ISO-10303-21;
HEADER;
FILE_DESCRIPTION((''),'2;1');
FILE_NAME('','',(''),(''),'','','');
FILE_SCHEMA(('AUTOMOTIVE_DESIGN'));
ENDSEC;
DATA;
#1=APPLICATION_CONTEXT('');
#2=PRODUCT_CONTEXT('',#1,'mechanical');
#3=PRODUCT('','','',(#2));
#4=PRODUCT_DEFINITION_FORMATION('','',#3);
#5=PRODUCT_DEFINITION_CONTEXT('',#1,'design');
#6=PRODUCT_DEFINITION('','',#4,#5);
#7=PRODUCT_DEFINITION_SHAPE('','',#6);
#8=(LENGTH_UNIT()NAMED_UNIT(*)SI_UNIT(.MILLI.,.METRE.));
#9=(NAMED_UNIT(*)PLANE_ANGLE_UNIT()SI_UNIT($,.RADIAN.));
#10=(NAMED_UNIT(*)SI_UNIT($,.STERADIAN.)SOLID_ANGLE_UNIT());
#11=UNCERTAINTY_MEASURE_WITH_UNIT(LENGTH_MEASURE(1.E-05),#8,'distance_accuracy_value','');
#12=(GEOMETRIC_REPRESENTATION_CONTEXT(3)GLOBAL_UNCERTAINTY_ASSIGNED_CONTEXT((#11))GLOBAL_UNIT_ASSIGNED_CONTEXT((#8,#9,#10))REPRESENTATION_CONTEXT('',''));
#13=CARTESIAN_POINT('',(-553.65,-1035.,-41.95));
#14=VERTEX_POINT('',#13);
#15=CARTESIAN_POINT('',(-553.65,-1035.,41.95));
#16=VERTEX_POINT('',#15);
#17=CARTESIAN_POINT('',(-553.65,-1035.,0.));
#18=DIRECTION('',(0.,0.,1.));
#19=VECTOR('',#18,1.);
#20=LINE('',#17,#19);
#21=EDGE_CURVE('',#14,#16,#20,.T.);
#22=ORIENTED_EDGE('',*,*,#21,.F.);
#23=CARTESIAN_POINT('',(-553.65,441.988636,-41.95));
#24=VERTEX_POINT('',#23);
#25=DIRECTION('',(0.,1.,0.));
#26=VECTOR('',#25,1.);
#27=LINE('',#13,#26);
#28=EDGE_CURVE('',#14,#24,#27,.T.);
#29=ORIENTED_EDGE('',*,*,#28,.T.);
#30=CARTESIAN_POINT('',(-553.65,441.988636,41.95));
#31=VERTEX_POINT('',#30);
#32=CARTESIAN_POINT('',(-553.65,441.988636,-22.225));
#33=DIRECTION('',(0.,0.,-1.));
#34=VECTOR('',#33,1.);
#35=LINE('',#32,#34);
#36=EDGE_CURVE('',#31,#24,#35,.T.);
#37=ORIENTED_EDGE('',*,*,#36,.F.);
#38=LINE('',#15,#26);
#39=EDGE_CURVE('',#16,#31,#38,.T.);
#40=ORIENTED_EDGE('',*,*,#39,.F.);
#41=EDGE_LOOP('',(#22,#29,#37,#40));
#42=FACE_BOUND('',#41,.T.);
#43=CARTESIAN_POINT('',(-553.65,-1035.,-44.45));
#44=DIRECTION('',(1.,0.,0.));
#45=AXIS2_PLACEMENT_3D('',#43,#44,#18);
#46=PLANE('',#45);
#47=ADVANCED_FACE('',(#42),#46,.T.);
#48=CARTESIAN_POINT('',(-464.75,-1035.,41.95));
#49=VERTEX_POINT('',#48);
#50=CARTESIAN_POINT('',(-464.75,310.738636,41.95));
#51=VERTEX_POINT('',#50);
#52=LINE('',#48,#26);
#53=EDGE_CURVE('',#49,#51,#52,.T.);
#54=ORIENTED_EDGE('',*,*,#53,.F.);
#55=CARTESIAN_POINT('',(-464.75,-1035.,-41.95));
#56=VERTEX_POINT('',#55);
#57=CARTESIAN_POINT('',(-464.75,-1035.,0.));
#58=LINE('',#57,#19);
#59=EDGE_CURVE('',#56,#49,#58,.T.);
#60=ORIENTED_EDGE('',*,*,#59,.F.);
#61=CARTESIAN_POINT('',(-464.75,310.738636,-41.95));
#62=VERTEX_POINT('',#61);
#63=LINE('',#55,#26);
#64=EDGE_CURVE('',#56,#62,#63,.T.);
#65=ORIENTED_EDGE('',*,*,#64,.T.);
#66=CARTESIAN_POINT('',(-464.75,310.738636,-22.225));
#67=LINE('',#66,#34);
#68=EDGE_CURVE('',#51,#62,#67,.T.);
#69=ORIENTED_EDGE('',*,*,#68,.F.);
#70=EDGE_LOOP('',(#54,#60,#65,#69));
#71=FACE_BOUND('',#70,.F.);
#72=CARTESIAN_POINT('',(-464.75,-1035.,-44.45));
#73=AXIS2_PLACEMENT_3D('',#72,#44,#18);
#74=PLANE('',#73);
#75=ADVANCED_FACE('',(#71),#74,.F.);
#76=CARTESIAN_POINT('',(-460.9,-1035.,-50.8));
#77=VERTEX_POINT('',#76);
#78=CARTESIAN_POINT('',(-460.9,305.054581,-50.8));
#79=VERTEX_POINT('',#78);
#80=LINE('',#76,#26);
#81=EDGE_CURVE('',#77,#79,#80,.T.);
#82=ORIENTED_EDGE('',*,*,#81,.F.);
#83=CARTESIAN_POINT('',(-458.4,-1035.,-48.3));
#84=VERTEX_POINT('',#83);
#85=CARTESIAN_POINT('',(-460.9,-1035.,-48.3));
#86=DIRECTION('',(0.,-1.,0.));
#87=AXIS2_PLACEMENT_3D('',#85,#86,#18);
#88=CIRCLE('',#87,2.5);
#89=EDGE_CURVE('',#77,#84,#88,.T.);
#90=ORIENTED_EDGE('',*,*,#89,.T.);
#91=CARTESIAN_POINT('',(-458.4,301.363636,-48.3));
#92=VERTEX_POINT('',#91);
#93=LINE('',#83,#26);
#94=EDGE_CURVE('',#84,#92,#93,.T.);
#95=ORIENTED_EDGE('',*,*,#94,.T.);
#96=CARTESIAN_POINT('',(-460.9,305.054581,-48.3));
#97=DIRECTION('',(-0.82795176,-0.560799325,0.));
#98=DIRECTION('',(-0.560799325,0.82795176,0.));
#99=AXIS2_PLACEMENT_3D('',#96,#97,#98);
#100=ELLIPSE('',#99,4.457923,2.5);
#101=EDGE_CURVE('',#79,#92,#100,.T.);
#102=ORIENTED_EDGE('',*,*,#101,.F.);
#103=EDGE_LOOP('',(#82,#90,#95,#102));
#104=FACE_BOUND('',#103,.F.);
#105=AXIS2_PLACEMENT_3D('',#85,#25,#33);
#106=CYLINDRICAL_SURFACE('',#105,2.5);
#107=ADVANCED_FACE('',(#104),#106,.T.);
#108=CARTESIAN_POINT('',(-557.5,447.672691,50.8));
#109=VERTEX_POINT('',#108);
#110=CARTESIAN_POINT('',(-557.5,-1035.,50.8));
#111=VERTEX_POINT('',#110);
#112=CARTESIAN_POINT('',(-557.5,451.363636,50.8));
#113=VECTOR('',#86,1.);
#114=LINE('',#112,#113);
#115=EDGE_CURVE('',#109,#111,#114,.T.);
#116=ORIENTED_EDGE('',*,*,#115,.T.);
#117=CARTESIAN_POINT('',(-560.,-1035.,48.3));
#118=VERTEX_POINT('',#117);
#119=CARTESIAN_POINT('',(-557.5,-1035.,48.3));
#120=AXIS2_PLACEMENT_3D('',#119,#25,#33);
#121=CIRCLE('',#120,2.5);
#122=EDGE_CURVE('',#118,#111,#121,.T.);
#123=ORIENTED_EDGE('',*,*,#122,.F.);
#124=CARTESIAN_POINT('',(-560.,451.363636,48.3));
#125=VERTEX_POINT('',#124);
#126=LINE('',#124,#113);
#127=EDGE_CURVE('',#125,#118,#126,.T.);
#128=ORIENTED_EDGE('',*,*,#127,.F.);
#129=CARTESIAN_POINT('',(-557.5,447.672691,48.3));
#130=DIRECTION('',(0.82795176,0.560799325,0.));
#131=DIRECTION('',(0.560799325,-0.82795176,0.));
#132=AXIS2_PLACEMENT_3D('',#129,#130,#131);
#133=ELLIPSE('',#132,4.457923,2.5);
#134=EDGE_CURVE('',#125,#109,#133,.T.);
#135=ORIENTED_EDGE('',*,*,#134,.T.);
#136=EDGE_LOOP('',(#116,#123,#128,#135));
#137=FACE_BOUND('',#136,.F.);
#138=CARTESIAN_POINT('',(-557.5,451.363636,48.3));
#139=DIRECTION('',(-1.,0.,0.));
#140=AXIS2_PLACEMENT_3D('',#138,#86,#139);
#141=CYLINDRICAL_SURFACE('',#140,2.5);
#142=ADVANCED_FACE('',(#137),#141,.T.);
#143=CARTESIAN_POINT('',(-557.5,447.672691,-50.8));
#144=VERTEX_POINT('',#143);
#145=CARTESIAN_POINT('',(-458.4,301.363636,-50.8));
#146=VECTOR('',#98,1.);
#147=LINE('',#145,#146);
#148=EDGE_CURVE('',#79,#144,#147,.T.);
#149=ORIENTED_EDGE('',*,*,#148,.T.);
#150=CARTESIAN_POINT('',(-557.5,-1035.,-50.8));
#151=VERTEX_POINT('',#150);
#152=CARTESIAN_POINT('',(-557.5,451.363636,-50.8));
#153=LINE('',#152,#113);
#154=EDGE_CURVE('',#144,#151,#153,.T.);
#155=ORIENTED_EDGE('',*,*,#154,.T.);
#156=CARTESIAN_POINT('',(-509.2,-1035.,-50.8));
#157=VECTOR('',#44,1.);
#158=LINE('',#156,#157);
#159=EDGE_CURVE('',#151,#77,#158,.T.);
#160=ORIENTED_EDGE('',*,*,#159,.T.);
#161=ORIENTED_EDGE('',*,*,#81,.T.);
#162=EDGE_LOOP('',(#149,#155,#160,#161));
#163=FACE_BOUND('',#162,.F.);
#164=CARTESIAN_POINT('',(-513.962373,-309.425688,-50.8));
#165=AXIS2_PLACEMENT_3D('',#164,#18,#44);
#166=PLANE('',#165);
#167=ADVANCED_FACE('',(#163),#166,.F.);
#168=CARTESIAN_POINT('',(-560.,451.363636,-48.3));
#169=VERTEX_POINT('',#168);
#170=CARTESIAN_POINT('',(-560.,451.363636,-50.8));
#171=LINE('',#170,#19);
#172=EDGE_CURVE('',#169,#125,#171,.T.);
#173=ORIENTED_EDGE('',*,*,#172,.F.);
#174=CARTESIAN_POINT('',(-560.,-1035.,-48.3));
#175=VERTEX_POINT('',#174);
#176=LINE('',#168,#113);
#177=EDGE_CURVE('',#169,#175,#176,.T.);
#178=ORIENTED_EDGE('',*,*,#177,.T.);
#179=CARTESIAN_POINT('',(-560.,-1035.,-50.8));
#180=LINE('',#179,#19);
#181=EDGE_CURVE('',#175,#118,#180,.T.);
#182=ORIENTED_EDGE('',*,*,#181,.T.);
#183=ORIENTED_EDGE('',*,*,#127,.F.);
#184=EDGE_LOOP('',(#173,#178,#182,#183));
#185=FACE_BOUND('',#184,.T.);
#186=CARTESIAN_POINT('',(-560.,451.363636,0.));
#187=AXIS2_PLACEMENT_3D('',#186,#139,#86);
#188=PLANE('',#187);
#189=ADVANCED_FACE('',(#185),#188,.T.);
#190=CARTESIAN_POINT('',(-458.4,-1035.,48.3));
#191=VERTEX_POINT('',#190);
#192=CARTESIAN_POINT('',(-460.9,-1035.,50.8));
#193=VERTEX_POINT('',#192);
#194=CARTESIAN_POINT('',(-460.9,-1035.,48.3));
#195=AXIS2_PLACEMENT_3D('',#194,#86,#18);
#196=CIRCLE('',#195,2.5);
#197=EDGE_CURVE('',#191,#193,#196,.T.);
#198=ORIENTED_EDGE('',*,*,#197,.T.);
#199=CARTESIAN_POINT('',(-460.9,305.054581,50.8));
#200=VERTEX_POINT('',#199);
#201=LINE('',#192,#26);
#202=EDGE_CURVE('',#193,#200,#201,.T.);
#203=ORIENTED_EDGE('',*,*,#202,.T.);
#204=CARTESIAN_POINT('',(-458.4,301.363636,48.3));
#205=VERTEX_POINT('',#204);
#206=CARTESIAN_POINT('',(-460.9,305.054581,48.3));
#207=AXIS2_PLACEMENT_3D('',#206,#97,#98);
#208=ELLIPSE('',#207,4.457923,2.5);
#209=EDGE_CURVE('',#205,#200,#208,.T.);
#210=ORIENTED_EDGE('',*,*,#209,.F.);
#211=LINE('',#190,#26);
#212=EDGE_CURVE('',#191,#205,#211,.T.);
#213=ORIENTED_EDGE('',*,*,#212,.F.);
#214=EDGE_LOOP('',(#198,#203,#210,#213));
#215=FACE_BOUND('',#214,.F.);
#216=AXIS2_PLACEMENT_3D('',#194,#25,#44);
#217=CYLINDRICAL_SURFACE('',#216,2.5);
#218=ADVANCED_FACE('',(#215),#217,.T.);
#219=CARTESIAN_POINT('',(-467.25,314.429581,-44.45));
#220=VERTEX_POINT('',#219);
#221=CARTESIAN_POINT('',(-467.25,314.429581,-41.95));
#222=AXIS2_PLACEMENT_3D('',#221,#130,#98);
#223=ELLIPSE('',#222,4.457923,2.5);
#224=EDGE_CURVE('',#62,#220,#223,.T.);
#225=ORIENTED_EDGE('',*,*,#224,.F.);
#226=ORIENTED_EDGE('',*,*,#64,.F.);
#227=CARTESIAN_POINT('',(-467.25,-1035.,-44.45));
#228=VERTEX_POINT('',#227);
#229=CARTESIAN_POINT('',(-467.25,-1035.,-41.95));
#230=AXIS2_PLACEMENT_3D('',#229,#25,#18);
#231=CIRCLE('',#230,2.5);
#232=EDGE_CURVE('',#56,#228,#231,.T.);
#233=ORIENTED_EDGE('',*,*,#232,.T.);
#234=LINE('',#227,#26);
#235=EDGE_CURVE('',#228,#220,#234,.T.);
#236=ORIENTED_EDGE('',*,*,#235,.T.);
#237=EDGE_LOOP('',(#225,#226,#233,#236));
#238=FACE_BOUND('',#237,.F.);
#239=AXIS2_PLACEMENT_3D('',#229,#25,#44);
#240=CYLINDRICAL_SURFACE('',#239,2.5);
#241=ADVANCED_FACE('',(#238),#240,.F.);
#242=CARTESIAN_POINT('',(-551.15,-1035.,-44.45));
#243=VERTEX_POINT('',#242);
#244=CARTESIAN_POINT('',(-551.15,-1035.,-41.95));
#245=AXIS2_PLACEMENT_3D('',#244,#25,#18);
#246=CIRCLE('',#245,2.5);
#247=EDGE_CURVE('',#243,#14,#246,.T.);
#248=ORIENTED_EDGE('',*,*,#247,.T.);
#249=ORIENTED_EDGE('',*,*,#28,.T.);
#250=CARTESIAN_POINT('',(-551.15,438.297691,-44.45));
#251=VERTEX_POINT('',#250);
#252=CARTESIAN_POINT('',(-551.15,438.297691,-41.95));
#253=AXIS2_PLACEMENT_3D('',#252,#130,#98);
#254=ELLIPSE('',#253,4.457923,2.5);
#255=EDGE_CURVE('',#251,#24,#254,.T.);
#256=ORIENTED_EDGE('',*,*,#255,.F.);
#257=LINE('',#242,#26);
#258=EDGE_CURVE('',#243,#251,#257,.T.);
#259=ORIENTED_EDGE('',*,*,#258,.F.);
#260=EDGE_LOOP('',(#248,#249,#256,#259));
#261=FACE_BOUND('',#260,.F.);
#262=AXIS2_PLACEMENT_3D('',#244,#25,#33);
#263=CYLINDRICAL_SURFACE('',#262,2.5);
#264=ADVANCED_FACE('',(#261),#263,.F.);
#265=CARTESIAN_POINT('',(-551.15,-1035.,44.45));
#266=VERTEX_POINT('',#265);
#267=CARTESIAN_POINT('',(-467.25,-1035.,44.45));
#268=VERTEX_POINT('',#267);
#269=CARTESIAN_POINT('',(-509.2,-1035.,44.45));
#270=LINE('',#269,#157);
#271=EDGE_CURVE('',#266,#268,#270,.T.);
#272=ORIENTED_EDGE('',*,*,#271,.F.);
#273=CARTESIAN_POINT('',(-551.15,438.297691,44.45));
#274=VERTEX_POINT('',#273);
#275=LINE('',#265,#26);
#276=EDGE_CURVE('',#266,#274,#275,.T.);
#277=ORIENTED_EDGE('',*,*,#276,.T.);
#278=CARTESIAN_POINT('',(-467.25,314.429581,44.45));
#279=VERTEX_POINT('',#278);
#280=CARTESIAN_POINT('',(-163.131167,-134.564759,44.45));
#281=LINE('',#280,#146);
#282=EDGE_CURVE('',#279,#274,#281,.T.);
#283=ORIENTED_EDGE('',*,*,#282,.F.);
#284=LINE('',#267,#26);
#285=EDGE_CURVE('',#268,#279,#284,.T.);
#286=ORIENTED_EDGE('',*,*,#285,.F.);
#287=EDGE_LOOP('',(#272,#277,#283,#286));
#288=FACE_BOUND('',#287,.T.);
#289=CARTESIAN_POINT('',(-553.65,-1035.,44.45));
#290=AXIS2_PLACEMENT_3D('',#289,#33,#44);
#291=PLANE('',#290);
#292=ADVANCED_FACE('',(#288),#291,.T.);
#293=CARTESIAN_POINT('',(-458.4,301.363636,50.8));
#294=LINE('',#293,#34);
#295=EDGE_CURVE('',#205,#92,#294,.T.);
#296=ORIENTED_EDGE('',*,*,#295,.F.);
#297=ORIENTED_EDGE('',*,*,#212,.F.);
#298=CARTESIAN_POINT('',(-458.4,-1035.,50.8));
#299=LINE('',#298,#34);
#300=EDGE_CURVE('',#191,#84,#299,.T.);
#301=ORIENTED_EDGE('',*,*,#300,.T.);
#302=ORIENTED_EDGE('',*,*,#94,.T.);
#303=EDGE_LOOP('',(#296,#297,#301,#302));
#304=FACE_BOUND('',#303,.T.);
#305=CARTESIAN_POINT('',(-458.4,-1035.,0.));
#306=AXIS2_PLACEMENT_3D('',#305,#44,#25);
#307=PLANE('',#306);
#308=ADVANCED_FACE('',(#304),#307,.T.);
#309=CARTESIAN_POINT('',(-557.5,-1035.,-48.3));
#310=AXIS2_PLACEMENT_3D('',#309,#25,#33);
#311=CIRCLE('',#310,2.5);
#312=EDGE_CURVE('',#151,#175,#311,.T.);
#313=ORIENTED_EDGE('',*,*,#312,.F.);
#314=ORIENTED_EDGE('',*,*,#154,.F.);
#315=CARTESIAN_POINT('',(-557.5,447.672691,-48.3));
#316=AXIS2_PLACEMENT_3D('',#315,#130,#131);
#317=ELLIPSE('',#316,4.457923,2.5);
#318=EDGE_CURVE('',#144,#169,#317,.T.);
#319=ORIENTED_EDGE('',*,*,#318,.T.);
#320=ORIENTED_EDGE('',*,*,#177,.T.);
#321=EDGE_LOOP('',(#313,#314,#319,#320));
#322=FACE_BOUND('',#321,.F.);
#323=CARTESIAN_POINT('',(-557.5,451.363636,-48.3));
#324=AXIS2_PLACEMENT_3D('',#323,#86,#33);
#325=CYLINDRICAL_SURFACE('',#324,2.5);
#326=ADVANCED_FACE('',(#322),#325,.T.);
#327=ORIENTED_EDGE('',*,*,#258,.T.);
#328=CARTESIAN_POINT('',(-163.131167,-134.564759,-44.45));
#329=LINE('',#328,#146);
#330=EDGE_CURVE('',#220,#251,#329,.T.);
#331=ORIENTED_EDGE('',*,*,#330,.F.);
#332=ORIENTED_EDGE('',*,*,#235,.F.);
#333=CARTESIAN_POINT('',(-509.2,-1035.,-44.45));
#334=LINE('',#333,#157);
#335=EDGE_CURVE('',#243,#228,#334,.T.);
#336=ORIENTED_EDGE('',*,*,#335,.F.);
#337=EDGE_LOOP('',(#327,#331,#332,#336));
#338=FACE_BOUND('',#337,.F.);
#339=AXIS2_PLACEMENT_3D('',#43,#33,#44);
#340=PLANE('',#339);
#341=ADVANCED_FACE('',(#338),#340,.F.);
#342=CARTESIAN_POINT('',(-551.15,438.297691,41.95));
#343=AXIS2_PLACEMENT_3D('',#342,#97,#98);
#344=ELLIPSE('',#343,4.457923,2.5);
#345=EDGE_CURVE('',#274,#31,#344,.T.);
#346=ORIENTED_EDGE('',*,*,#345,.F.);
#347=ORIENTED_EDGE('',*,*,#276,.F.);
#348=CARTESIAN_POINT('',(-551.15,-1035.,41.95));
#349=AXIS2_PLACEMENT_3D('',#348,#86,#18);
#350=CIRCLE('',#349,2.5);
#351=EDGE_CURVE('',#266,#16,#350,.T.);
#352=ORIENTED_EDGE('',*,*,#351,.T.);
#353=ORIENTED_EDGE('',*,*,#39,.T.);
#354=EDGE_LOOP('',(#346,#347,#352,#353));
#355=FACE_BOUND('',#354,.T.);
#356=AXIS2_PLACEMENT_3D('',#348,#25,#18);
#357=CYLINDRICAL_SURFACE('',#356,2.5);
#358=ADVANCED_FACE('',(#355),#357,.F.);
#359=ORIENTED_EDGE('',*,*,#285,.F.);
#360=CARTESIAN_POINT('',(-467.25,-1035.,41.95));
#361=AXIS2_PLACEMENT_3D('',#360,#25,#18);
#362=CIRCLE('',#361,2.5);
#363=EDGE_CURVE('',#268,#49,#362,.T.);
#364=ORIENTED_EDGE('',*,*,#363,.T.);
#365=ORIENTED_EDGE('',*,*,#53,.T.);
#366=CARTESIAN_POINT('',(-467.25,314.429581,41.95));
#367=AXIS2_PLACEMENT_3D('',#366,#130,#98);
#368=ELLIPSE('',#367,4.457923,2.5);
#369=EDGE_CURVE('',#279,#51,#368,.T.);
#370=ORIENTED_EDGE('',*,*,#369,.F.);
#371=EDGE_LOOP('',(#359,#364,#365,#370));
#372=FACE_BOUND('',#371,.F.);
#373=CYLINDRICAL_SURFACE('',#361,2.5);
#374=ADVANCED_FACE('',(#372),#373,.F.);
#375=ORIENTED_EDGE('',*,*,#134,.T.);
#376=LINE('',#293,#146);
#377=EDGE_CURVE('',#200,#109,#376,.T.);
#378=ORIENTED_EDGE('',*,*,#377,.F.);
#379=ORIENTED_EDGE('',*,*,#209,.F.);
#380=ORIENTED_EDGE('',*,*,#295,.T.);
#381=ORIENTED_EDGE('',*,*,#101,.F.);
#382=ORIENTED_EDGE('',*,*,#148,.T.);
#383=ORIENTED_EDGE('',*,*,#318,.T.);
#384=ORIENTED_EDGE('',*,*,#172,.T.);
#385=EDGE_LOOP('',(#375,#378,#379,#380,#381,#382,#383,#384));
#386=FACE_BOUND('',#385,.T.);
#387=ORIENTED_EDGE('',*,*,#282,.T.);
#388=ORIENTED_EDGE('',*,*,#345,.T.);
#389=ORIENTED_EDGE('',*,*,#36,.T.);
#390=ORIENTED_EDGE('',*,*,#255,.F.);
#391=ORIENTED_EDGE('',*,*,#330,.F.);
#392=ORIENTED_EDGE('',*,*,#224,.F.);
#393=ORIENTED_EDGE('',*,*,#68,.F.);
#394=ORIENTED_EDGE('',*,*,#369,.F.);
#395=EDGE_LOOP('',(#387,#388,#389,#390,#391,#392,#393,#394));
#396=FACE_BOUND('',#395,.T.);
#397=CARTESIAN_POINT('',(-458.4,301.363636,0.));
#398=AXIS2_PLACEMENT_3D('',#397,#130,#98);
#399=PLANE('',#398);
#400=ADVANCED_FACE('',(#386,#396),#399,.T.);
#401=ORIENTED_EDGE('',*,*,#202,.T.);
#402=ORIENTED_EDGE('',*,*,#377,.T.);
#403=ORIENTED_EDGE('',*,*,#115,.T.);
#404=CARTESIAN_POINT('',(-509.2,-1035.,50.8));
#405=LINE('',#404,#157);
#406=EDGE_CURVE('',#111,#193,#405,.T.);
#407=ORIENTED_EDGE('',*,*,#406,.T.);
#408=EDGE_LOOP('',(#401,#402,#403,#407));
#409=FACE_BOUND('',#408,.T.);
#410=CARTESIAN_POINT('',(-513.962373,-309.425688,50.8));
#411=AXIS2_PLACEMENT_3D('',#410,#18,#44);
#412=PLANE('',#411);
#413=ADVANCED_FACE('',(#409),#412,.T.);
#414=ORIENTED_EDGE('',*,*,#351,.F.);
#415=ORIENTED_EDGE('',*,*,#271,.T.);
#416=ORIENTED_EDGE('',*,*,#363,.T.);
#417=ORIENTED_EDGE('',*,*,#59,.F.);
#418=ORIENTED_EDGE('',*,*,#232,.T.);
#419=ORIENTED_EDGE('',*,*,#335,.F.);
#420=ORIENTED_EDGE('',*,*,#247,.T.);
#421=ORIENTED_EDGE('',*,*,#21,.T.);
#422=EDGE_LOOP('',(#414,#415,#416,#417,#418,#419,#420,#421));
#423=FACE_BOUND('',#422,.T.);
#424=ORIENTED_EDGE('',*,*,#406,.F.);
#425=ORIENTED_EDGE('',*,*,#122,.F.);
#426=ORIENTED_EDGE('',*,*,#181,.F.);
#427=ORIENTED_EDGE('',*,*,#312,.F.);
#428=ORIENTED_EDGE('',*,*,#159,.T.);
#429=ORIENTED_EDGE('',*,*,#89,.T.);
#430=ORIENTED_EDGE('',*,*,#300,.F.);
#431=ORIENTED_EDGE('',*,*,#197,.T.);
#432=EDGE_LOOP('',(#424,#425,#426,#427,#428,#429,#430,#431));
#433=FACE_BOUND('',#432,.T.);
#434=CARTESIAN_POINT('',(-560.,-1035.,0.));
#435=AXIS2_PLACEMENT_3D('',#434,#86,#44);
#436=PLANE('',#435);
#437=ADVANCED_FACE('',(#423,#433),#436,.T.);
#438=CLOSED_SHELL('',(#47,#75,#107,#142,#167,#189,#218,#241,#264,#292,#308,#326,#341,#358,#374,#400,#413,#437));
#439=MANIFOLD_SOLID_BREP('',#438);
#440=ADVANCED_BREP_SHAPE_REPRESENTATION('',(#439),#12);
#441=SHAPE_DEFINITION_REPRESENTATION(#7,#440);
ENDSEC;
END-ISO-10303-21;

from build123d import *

# Parameters (mm, degrees)
F0_W     = 101.6
F0_H     = 376.3636363636
F1_DEPTH = 50.8
F2_W     = 88.9
F2_H     = 88.9
F3_DEPTH = 1476.9896363636
F4_R     = 2.5


with BuildPart() as f1:
    # F0 (on Top) → F1 (new body, symmetric)
    with BuildSketch(Plane.XY):
        Polygon((-458.4, -75), (-560, 75), (-560, -75), (-560, -658.6363636364), (-458.4, -658.6363636364), align=None)
        Polygon((-560, 301.3636363636), (-560, 75), (-458.4, -75), (-458.4, 301.3636363636), (-560, 451.3636363636), align=None)
        with Locations((-509.2, -846.8181818182)):
            Rectangle(F0_W, F0_H)
    extrude(amount=F1_DEPTH, both=True)

    # F2 (on face) → F3 (cut, through all)
    with BuildSketch(Plane.XZ.offset(1035)):
        with Locations((-509.2, 0)):
            Rectangle(F2_W, F2_H)
    extrude(amount=-F3_DEPTH, mode=Mode.SUBTRACT)

    # F4
    f4_edges = [f1.edges().sort_by_distance(p)[0] for p in [
        (-553.65, -296.505682, -44.45),
        (-464.75, -362.130682, -44.45),
        (-464.75, -362.130682, 44.45),
        (-553.65, -296.505682, 44.45),
        (-458.4, -366.818182, 50.8),
        (-458.4, -366.818182, -50.8),
        (-560, -291.818182, -50.8),
        (-560, -291.818182, 50.8),
    ]]
    fillet(f4_edges, radius=F4_R)


solid = f1.part
